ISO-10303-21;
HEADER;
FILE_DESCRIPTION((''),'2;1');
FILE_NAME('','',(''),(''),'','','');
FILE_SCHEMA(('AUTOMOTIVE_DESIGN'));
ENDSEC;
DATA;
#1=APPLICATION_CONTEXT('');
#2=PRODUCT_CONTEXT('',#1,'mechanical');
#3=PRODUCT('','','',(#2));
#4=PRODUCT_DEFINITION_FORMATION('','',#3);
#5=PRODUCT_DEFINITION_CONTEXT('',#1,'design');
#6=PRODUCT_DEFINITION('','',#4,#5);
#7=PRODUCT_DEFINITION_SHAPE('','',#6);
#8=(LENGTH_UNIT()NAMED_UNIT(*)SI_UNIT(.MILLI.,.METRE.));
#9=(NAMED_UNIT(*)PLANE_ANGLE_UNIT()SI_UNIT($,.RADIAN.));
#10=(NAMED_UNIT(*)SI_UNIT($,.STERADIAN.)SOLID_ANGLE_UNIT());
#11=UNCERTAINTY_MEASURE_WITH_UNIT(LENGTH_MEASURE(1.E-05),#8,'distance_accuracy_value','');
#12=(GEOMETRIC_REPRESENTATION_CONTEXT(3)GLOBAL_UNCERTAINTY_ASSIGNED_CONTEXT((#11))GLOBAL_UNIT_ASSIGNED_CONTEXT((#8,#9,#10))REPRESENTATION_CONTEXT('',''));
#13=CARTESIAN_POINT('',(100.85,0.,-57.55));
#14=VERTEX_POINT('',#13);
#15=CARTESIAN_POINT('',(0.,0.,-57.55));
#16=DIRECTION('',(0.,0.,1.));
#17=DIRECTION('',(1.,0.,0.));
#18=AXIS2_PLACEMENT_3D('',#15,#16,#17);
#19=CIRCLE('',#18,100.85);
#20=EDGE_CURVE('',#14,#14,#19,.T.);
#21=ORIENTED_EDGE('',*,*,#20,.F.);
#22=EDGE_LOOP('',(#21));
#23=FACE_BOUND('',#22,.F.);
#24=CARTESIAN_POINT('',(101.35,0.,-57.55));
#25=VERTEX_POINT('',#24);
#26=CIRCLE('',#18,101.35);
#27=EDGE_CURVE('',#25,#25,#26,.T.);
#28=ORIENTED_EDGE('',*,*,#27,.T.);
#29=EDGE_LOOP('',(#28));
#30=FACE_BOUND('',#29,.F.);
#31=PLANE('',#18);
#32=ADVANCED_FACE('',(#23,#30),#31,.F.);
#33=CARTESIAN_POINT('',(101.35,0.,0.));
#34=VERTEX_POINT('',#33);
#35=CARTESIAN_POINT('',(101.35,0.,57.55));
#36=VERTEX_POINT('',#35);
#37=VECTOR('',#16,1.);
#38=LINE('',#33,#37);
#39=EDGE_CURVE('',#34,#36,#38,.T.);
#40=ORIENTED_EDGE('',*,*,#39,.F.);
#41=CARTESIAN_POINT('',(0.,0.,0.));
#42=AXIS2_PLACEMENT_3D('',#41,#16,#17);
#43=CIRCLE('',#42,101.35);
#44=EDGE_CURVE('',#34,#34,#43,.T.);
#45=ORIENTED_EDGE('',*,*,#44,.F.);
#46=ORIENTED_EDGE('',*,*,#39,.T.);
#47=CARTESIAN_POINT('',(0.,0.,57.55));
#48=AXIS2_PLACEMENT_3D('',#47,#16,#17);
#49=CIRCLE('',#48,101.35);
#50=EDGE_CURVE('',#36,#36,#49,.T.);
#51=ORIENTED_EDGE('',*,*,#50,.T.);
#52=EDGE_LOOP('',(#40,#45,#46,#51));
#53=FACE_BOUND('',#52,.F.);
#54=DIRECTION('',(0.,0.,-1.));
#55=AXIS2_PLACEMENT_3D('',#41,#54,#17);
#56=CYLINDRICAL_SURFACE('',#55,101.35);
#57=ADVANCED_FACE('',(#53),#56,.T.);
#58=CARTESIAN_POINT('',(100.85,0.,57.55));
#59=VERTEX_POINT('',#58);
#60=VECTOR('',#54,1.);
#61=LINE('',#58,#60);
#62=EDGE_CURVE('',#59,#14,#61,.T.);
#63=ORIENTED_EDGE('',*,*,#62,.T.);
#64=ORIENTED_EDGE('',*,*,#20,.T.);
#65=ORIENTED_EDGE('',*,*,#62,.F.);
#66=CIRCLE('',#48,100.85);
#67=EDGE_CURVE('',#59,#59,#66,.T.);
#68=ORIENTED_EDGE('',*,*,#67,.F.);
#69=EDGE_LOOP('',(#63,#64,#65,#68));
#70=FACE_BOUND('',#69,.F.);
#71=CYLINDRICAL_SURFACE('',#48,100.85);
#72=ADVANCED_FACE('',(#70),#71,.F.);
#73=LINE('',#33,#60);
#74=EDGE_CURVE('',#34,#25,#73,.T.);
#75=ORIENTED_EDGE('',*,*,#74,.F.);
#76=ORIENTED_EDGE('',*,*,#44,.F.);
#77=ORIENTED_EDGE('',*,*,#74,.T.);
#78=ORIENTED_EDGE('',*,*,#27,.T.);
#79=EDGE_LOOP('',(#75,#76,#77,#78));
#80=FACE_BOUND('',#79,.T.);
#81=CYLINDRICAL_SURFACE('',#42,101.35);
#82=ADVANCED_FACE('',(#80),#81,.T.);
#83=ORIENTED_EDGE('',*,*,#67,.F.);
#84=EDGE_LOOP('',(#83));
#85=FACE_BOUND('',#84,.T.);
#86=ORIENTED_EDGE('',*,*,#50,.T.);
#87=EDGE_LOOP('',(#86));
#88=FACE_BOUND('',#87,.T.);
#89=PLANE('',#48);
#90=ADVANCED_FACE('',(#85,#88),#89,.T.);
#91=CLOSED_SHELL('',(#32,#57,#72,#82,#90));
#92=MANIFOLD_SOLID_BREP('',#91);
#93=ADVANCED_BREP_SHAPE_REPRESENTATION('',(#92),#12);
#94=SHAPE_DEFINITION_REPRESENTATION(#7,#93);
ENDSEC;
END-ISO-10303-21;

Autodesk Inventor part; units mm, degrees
ref_plane "YZ Plane" through (0, 0, 0) normal (1, 0, 0) x (0, 1, 0)
ref_plane "XZ Plane" through (0, 0, 0) normal (0, 1, 0) x (-1, 0, 0)
ref_plane "XY Plane" through (0, 0, 0) normal (0, 0, 1) x (1, 0, 0)
sketch "Sketch1" plane through (0, 0, 0) normal (0, 0, 1) x (1, 0, 0)
  circle A0 centre (0, 0) radius 101.35
  dimension "d0" = 202.7
extrude "Extrusion1" add sketch "Sketch1" along normal mid plane 115.1
sketch "Sketch2" plane through (0, 0, 57.55) normal (0, 0, 1) x (1, 0, 0)
  circle A0 centre (0, 0) radius 100.85
  dimension "d3" = 201.7
extrude "Extrusion2" cut sketch "Sketch2" against normal through all
properties part number "ALPHA-II-CT_11"
